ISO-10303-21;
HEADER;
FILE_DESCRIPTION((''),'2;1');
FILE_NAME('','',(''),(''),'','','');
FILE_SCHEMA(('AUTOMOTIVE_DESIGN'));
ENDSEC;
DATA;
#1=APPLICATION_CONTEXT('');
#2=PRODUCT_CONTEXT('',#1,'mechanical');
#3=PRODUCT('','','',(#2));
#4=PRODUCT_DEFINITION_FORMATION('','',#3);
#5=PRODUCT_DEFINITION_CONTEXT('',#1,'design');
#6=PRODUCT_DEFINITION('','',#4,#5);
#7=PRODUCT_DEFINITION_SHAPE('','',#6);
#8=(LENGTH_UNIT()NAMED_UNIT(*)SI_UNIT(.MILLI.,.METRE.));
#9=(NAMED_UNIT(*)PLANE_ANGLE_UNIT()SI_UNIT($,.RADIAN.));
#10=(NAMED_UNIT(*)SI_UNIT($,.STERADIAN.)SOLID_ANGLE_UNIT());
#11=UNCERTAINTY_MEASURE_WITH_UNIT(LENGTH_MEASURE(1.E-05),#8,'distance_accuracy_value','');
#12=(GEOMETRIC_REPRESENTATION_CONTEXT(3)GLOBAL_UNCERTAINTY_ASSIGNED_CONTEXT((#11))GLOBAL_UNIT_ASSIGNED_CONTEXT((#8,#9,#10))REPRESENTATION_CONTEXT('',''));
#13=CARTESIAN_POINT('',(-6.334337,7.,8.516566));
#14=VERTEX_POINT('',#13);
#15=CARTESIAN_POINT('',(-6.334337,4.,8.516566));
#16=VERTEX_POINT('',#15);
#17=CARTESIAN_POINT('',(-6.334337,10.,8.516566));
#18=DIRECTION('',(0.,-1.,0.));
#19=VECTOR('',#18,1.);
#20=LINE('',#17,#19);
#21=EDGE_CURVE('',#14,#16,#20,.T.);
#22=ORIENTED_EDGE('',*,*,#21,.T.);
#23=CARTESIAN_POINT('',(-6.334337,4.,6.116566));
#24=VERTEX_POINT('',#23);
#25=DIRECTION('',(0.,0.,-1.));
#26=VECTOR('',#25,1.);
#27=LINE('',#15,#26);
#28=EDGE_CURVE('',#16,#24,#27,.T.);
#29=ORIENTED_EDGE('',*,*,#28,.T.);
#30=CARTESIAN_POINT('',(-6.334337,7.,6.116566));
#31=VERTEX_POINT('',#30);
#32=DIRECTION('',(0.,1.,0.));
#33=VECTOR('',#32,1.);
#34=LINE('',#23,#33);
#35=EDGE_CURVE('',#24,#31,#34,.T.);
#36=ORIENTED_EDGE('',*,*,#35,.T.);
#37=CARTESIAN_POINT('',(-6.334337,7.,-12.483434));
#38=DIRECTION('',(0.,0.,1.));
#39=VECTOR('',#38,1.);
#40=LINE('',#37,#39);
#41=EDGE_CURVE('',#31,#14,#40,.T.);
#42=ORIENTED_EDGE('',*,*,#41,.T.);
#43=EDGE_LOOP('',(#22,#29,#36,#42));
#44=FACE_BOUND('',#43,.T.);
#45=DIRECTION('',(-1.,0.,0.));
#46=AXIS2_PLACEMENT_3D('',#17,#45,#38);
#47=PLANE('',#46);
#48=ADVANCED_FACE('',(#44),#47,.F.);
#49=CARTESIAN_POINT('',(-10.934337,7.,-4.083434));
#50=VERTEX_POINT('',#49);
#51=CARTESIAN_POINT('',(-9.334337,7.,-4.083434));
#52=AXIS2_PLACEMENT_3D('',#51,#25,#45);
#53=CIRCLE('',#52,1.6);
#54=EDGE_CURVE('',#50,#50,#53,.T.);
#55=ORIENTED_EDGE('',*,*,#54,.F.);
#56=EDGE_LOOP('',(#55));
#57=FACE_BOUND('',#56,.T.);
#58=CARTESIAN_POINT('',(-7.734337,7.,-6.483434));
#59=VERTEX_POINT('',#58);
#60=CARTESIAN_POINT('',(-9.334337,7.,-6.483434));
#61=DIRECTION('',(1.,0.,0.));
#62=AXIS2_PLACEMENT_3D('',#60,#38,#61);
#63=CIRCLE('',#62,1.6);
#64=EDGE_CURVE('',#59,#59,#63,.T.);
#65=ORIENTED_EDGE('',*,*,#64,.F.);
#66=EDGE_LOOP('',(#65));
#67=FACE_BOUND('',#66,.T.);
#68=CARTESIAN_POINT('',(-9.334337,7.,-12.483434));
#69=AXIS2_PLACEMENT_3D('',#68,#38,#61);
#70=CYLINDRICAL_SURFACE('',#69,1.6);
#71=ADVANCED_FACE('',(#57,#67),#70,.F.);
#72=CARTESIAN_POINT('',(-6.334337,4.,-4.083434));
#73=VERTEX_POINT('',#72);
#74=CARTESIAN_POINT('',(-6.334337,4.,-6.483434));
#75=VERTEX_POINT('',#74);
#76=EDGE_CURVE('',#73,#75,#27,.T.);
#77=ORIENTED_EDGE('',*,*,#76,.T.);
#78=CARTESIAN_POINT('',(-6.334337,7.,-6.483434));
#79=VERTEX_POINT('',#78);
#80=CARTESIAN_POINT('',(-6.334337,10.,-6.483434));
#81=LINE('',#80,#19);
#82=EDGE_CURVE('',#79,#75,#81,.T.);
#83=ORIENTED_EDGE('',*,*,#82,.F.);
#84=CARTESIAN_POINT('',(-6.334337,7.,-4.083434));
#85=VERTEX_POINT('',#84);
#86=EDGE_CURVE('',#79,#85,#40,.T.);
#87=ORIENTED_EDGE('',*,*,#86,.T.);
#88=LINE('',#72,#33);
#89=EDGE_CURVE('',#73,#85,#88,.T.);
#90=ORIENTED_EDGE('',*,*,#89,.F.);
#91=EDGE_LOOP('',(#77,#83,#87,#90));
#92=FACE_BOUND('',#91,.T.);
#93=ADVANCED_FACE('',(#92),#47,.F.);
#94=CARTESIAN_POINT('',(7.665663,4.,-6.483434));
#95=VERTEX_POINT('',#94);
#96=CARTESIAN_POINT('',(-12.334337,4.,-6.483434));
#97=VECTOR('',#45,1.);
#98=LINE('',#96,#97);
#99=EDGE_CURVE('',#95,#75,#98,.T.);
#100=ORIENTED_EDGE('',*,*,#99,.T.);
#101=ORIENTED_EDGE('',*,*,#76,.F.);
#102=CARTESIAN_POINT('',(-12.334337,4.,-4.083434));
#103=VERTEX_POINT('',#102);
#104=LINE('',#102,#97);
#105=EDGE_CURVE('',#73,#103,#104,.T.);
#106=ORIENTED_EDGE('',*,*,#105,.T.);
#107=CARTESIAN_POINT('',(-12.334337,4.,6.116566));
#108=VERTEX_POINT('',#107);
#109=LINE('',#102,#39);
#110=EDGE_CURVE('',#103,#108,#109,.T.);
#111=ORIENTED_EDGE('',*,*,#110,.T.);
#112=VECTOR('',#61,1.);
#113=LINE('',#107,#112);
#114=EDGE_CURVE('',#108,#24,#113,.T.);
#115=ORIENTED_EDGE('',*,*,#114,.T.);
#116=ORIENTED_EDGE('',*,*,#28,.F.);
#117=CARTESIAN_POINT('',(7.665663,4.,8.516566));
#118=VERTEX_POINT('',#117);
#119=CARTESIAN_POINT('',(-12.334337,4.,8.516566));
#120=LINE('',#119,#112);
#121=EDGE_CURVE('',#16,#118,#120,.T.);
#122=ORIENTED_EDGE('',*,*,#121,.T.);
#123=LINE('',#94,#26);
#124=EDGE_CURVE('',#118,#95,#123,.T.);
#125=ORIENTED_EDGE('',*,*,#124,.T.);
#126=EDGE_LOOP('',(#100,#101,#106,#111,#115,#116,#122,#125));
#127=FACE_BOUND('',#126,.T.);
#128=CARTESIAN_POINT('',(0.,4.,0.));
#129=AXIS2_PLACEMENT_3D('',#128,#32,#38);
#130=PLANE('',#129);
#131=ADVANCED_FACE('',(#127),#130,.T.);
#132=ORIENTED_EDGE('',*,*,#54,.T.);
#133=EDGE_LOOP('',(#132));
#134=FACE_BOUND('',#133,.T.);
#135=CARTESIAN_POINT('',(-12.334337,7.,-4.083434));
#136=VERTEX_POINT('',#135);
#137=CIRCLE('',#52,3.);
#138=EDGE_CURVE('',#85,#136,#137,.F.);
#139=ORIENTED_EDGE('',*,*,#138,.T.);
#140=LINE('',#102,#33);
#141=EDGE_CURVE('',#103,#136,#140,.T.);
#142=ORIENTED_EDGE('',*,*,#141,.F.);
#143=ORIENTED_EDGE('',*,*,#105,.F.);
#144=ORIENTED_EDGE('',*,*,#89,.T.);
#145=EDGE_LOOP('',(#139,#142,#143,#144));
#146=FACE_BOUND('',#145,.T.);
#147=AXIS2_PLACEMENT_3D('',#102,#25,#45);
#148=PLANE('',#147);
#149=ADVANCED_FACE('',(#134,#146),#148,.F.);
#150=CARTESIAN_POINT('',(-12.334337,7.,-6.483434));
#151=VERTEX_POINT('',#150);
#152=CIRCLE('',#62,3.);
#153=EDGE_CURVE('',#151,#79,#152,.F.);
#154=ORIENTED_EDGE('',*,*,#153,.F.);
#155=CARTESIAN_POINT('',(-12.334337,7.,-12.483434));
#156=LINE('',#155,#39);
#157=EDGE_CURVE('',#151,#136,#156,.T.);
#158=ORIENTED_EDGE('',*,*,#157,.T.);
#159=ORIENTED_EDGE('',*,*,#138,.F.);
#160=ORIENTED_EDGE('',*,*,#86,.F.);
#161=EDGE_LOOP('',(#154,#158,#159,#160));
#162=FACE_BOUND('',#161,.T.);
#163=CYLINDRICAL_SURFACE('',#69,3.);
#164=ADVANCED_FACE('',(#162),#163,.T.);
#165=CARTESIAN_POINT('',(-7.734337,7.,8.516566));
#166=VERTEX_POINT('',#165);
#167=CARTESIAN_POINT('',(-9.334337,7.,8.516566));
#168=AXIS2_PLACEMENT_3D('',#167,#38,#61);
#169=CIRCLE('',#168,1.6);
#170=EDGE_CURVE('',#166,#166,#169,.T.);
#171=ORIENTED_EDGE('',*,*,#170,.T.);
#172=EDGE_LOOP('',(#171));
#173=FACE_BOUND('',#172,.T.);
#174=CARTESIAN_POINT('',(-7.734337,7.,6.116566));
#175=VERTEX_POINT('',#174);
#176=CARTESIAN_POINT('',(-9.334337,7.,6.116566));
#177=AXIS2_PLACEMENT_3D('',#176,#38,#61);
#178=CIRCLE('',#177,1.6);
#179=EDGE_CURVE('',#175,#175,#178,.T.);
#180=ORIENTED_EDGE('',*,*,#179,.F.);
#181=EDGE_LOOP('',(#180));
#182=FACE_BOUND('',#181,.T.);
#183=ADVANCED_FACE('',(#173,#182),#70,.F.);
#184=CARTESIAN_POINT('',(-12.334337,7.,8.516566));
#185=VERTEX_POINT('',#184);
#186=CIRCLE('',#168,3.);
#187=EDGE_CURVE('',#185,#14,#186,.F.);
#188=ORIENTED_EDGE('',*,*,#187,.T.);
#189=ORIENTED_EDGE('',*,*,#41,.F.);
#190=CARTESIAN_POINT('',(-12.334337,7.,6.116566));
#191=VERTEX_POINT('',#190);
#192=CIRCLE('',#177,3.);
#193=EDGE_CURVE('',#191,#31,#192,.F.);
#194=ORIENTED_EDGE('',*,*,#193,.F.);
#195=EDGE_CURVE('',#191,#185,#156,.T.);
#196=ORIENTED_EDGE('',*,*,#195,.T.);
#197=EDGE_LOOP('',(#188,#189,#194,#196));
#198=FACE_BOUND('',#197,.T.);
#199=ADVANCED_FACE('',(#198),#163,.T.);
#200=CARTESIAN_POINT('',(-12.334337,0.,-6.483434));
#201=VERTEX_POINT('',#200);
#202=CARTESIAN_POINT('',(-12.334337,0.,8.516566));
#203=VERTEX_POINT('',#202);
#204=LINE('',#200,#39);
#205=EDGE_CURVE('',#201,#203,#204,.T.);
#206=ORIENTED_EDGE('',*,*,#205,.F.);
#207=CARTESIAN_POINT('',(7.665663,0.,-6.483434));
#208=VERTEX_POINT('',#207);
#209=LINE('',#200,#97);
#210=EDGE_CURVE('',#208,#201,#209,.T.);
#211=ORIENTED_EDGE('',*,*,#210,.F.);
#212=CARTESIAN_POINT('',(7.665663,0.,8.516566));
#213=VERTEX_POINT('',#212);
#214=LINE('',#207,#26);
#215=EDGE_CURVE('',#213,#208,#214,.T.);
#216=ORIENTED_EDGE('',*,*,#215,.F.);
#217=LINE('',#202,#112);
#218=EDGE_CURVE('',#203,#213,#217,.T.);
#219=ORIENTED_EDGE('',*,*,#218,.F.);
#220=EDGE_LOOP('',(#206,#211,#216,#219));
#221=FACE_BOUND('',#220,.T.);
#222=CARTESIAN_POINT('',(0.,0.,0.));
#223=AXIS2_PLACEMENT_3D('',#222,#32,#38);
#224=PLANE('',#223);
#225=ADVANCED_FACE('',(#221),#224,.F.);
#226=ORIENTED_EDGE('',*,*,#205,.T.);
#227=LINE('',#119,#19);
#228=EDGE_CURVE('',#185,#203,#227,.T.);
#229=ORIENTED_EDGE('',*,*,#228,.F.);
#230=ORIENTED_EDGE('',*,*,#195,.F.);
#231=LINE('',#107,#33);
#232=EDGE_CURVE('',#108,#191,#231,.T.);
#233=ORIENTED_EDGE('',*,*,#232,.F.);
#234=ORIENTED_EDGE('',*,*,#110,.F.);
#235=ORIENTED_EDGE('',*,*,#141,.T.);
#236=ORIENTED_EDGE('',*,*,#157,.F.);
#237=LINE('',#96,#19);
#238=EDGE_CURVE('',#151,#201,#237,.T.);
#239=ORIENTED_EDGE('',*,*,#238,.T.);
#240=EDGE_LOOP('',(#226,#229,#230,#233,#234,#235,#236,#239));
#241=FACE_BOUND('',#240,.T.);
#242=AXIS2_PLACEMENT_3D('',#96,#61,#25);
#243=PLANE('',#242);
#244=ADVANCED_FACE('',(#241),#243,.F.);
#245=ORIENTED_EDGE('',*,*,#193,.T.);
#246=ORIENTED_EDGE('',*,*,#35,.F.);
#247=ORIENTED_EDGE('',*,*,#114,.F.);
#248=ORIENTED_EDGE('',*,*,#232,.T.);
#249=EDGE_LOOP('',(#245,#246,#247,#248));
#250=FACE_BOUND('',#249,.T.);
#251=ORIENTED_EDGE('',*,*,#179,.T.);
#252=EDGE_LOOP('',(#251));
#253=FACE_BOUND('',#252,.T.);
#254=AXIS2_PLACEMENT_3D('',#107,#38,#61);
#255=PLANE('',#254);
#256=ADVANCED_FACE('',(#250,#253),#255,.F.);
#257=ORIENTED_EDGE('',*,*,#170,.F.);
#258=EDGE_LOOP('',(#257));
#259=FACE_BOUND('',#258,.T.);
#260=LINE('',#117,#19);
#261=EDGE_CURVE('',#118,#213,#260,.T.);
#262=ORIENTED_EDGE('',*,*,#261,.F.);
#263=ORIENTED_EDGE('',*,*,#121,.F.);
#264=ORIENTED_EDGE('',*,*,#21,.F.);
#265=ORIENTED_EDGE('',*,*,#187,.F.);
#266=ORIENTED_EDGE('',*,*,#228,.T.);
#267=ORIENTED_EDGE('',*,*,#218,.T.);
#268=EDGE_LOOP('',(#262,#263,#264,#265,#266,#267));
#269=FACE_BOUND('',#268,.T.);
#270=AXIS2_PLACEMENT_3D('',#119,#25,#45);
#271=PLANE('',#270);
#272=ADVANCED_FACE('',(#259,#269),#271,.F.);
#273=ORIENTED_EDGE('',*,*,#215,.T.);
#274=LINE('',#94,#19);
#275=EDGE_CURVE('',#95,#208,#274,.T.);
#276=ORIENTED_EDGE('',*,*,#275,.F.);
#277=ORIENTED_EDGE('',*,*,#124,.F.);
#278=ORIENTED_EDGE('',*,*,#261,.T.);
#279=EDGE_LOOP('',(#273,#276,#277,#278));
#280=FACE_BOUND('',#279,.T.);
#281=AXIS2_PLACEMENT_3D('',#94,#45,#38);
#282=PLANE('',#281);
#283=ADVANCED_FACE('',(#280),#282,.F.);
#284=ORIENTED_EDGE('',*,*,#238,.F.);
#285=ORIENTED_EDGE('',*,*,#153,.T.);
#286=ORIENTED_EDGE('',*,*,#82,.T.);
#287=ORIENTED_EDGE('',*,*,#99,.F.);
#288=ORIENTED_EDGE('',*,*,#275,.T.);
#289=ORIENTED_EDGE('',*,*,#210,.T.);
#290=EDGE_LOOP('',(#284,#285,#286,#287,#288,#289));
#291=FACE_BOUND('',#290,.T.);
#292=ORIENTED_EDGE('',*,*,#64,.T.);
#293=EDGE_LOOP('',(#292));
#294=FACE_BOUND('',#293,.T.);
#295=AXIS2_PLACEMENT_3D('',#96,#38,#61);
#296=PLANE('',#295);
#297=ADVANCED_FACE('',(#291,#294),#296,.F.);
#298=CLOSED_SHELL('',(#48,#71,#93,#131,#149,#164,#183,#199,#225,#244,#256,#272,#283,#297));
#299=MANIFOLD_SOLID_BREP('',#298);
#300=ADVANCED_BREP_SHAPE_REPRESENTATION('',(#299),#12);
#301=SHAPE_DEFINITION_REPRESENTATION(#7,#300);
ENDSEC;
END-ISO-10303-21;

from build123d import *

# Parameters (mm, degrees)
SKETCH_1_W          = 20
SKETCH_1_H          = 15
EXTRUDE_2_DEPTH     = 4
SKETCH_3_W          = 6
SKETCH_3_H          = 15
EXTRUDE_3_DEPTH     = 6
SKETCH_4_W          = 6
SKETCH_4_H          = 10.2
CUT_EXTRUDE_1_DEPTH = 6
SKETCH_5_R          = 1.6
CUT_EXTRUDE_2_DEPTH = 21


with BuildPart() as part:
    # 草图1 → 凸台-拉伸2 (new body)
    with BuildSketch(Plane(origin=(0, 0, 0), x_dir=(1, 0, 0), z_dir=(0, 1, 0))):
        with Locations((-2.334337349, -1.016566265)):
            Rectangle(SKETCH_1_W, SKETCH_1_H)
    extrude(amount=EXTRUDE_2_DEPTH)

    # 草图3 → 凸台-拉伸3 (add)
    with BuildSketch(Plane(origin=(0, 4, 0), x_dir=(1, 0, 0), z_dir=(0, 1, 0))):
        with Locations((-9.334337349, -1.016566265)):
            Rectangle(SKETCH_3_W, SKETCH_3_H)
    extrude(amount=EXTRUDE_3_DEPTH)

    # 草图4 → 切除-拉伸1 (cut)
    with BuildSketch(Plane(origin=(0, 10, 0), x_dir=(1, 0, 0), z_dir=(0, 1, 0))):
        with Locations((-9.334337349, -1.016566265)):
            Rectangle(SKETCH_4_W, SKETCH_4_H)
    extrude(amount=-CUT_EXTRUDE_1_DEPTH, mode=Mode.SUBTRACT)

    # 草图5 → 切除-拉伸2 (cut)
    with BuildSketch(Plane.XY.offset(8.516566265)):
        with Locations((-9.334337349, 7)):
            Circle(SKETCH_5_R)
        with BuildLine():
            Line((-9.334337349, 10), (-12.334337349, 10))
            Line((-12.334337349, 10), (-12.334337349, 7))
            ThreePointArc((-12.334337349, 7), (-11.455657693, 9.121320344), (-9.334337349, 10))
        make_face()
        with BuildLine():
            Line((-6.334337349, 10), (-9.334337349, 10))
            ThreePointArc((-9.334337349, 10), (-7.213017006, 9.121320344), (-6.334337349, 7))
            Line((-6.334337349, 7), (-6.334337349, 10))
        make_face()
    extrude(amount=-CUT_EXTRUDE_2_DEPTH, mode=Mode.SUBTRACT)


solid = part.part
